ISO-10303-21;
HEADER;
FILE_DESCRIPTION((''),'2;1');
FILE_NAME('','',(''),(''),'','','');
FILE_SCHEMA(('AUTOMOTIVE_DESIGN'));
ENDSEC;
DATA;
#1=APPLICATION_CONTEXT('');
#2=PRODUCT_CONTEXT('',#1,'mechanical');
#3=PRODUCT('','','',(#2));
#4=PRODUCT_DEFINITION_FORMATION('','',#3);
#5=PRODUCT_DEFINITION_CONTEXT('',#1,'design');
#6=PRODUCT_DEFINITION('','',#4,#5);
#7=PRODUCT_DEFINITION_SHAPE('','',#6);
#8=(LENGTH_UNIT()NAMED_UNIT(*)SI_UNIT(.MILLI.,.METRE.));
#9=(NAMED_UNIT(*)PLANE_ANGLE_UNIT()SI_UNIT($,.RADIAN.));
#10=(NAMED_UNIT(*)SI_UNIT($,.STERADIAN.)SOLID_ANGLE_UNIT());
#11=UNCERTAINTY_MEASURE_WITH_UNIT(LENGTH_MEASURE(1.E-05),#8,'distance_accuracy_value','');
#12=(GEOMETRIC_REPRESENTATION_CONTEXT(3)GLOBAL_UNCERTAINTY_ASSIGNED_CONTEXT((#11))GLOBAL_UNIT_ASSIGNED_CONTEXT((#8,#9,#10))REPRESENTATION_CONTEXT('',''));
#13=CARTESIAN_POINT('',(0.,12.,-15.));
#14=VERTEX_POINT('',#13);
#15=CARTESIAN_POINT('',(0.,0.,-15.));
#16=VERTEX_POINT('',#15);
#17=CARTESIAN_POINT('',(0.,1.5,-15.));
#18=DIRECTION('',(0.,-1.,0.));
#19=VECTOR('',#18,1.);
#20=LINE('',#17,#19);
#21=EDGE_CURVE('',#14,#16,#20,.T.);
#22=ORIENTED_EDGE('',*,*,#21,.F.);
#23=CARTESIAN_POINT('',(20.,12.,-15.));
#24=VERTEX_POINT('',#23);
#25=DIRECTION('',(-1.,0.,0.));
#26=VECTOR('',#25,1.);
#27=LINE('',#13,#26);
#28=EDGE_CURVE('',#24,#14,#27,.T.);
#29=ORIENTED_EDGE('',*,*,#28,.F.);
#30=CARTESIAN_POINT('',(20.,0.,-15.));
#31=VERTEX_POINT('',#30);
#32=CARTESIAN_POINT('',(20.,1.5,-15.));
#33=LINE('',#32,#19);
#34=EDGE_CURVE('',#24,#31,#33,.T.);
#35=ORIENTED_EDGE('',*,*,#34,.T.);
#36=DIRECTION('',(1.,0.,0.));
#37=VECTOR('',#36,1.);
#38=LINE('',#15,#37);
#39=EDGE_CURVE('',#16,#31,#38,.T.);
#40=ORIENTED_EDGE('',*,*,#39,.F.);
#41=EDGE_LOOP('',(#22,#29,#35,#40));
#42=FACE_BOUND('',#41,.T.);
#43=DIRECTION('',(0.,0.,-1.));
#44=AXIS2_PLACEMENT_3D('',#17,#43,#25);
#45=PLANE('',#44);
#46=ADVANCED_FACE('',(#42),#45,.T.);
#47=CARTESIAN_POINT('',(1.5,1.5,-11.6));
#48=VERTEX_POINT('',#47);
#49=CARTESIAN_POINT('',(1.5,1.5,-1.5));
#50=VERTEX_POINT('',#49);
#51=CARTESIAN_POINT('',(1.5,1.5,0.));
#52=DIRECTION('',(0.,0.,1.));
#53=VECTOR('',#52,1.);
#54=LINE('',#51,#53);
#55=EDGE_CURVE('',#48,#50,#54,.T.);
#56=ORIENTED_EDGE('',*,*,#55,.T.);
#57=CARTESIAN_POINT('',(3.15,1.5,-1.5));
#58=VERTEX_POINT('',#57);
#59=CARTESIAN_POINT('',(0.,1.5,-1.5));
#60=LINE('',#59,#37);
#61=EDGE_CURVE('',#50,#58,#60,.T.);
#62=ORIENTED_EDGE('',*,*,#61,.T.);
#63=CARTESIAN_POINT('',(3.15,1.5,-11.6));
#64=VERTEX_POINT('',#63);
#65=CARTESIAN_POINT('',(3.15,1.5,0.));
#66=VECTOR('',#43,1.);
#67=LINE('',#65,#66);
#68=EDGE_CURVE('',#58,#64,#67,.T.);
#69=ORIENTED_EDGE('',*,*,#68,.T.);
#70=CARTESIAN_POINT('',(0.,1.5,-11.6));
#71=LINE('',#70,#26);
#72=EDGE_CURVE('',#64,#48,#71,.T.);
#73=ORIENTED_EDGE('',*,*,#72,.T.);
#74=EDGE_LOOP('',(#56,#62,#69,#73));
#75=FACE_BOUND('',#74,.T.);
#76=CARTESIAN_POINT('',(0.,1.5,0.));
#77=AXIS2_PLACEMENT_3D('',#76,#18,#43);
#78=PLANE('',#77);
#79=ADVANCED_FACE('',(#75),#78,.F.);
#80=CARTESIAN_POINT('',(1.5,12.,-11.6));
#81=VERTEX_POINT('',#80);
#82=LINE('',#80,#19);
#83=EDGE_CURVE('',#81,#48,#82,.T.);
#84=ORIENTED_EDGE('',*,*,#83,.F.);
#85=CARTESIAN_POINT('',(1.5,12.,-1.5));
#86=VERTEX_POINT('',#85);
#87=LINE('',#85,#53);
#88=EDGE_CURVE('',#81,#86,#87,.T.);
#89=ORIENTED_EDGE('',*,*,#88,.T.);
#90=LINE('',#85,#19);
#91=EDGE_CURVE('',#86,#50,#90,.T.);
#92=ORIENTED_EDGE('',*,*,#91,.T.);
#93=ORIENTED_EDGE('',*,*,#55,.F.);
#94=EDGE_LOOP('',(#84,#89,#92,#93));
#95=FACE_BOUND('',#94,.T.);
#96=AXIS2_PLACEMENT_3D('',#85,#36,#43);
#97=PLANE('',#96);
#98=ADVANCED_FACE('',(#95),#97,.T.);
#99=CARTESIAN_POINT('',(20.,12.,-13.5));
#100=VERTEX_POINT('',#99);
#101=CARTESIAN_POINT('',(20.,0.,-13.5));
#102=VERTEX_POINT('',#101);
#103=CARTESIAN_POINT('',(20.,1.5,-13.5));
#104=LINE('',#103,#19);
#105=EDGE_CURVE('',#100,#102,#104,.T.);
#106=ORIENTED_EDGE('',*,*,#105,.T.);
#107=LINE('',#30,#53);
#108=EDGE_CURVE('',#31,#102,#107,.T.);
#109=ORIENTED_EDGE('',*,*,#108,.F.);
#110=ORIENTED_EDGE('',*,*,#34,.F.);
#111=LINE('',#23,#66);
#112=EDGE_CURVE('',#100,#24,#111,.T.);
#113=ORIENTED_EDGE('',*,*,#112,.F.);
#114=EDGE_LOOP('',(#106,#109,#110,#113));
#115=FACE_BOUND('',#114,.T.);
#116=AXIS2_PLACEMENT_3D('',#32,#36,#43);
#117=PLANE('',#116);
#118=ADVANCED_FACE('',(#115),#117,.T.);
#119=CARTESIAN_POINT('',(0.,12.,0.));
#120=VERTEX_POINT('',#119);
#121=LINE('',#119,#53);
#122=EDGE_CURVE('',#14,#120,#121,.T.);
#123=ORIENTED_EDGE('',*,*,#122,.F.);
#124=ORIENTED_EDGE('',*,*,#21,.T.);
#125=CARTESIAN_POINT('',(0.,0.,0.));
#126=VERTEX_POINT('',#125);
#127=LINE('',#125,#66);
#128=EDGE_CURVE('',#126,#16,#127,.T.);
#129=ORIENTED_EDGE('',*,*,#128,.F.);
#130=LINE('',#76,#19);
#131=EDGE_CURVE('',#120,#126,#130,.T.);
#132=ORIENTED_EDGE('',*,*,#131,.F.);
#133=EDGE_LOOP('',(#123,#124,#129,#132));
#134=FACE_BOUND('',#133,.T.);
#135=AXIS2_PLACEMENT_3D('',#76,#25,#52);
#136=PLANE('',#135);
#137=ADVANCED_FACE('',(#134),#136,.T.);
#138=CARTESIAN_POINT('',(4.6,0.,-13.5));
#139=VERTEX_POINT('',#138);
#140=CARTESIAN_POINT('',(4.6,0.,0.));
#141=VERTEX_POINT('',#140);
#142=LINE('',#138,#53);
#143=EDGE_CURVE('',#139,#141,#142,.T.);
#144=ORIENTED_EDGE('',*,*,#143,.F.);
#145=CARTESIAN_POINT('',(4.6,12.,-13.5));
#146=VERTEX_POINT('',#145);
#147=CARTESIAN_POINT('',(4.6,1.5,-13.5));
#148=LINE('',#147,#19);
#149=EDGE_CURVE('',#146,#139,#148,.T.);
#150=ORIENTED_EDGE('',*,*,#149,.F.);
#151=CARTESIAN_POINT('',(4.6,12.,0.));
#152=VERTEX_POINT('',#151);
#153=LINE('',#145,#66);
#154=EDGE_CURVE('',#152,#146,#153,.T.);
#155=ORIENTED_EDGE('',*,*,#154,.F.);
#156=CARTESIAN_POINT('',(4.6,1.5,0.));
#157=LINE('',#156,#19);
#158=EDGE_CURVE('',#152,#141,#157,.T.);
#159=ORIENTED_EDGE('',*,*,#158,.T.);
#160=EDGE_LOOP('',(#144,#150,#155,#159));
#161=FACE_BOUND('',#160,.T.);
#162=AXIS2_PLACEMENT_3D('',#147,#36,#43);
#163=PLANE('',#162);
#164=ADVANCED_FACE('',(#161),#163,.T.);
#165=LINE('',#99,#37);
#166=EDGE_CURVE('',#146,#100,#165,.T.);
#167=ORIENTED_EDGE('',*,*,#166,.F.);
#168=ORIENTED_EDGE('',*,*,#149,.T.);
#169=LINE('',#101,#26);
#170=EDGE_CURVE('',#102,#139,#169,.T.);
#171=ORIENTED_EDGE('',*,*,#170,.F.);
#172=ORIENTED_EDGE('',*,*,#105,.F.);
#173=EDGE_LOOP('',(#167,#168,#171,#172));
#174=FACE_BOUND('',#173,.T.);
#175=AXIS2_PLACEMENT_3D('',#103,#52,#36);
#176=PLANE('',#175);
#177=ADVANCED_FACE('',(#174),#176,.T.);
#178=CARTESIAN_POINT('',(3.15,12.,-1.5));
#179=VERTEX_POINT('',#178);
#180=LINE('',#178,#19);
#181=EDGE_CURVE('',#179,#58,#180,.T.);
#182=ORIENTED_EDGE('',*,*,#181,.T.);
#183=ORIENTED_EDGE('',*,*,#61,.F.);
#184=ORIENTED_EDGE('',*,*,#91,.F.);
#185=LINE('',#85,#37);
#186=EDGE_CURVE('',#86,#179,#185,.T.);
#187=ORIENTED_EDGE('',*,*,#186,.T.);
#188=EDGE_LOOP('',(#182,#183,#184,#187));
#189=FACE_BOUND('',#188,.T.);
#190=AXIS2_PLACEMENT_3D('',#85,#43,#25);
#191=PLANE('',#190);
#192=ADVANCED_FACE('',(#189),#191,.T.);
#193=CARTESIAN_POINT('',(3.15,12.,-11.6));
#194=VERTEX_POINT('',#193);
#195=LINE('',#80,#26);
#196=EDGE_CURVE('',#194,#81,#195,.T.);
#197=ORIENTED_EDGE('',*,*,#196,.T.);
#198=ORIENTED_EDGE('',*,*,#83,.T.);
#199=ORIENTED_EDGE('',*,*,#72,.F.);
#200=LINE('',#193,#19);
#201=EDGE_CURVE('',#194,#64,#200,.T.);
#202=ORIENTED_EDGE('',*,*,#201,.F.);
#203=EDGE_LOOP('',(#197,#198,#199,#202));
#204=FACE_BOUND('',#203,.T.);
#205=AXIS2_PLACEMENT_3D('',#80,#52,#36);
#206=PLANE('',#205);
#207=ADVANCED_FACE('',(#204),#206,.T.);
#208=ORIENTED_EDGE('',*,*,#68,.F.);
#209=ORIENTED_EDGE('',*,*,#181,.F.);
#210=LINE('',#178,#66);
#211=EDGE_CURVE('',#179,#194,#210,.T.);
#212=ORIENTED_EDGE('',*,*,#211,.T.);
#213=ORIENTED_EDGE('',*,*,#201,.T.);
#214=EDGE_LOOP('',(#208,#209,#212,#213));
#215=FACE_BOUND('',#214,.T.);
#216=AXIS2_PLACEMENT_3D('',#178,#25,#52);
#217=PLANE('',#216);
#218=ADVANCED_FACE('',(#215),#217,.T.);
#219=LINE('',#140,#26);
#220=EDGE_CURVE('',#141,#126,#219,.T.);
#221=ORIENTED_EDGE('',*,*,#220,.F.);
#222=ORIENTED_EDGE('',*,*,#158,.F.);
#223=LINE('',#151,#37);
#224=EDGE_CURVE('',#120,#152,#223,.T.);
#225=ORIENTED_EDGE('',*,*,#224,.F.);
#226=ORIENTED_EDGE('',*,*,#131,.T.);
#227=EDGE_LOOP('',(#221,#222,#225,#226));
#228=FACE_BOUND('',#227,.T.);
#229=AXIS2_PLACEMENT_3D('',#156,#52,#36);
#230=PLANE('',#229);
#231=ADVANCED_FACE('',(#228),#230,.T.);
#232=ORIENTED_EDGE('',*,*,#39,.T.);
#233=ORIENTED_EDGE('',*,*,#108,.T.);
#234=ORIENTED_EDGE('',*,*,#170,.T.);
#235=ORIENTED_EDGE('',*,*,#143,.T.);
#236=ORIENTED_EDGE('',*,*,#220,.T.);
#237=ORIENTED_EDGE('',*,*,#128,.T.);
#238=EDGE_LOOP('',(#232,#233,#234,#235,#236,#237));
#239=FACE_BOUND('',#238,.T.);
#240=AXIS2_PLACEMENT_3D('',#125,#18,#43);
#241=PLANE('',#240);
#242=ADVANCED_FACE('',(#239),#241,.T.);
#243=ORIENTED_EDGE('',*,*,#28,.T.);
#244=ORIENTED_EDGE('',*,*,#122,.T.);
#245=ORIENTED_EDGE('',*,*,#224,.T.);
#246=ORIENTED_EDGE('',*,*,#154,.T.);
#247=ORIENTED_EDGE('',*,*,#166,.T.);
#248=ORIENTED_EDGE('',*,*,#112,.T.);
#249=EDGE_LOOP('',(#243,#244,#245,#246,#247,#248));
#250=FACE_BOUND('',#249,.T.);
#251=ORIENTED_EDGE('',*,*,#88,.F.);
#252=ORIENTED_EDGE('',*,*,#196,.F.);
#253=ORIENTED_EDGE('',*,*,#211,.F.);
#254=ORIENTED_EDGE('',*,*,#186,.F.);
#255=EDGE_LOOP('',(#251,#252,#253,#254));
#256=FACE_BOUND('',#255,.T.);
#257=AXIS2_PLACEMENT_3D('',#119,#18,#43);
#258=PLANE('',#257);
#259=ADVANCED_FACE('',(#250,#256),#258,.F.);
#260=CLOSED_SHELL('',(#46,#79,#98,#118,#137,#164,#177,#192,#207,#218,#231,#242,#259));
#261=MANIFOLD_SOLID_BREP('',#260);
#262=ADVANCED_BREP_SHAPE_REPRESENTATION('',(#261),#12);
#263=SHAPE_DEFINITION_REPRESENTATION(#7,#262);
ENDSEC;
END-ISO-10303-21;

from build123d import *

# Parameters (mm, degrees)
BOSS_EXTRUDE1_DEPTH = 1.5
SKETCH1_3_W         = 1.65
SKETCH1_3_H         = 10.1
BOSS_EXTRUDE2_DEPTH = 12


with BuildPart() as part:
    # Sketch1 → Boss-Extrude1 (new body)
    with BuildSketch(Plane(origin=(0, 0, 0), x_dir=(1, 0, 0), z_dir=(0, 1, 0))):
        Polygon((0, 0), (0, 15), (20, 15), (20, 13.5), (4.6, 13.5), (4.6, 0), align=None)
    extrude(amount=BOSS_EXTRUDE1_DEPTH)

    # Sketch1<3> → Boss-Extrude2 (add)
    with BuildSketch(Plane(origin=(0, 0, 0), x_dir=(1, 0, 0), z_dir=(0, 1, 0))):
        Polygon((0, 0), (0, 15), (20, 15), (20, 13.5), (4.6, 13.5), (4.6, 0), align=None)
        with Locations((2.325, 6.55)):
            Rectangle(SKETCH1_3_W, SKETCH1_3_H, mode=Mode.SUBTRACT)
    extrude(amount=BOSS_EXTRUDE2_DEPTH)


solid = part.part
